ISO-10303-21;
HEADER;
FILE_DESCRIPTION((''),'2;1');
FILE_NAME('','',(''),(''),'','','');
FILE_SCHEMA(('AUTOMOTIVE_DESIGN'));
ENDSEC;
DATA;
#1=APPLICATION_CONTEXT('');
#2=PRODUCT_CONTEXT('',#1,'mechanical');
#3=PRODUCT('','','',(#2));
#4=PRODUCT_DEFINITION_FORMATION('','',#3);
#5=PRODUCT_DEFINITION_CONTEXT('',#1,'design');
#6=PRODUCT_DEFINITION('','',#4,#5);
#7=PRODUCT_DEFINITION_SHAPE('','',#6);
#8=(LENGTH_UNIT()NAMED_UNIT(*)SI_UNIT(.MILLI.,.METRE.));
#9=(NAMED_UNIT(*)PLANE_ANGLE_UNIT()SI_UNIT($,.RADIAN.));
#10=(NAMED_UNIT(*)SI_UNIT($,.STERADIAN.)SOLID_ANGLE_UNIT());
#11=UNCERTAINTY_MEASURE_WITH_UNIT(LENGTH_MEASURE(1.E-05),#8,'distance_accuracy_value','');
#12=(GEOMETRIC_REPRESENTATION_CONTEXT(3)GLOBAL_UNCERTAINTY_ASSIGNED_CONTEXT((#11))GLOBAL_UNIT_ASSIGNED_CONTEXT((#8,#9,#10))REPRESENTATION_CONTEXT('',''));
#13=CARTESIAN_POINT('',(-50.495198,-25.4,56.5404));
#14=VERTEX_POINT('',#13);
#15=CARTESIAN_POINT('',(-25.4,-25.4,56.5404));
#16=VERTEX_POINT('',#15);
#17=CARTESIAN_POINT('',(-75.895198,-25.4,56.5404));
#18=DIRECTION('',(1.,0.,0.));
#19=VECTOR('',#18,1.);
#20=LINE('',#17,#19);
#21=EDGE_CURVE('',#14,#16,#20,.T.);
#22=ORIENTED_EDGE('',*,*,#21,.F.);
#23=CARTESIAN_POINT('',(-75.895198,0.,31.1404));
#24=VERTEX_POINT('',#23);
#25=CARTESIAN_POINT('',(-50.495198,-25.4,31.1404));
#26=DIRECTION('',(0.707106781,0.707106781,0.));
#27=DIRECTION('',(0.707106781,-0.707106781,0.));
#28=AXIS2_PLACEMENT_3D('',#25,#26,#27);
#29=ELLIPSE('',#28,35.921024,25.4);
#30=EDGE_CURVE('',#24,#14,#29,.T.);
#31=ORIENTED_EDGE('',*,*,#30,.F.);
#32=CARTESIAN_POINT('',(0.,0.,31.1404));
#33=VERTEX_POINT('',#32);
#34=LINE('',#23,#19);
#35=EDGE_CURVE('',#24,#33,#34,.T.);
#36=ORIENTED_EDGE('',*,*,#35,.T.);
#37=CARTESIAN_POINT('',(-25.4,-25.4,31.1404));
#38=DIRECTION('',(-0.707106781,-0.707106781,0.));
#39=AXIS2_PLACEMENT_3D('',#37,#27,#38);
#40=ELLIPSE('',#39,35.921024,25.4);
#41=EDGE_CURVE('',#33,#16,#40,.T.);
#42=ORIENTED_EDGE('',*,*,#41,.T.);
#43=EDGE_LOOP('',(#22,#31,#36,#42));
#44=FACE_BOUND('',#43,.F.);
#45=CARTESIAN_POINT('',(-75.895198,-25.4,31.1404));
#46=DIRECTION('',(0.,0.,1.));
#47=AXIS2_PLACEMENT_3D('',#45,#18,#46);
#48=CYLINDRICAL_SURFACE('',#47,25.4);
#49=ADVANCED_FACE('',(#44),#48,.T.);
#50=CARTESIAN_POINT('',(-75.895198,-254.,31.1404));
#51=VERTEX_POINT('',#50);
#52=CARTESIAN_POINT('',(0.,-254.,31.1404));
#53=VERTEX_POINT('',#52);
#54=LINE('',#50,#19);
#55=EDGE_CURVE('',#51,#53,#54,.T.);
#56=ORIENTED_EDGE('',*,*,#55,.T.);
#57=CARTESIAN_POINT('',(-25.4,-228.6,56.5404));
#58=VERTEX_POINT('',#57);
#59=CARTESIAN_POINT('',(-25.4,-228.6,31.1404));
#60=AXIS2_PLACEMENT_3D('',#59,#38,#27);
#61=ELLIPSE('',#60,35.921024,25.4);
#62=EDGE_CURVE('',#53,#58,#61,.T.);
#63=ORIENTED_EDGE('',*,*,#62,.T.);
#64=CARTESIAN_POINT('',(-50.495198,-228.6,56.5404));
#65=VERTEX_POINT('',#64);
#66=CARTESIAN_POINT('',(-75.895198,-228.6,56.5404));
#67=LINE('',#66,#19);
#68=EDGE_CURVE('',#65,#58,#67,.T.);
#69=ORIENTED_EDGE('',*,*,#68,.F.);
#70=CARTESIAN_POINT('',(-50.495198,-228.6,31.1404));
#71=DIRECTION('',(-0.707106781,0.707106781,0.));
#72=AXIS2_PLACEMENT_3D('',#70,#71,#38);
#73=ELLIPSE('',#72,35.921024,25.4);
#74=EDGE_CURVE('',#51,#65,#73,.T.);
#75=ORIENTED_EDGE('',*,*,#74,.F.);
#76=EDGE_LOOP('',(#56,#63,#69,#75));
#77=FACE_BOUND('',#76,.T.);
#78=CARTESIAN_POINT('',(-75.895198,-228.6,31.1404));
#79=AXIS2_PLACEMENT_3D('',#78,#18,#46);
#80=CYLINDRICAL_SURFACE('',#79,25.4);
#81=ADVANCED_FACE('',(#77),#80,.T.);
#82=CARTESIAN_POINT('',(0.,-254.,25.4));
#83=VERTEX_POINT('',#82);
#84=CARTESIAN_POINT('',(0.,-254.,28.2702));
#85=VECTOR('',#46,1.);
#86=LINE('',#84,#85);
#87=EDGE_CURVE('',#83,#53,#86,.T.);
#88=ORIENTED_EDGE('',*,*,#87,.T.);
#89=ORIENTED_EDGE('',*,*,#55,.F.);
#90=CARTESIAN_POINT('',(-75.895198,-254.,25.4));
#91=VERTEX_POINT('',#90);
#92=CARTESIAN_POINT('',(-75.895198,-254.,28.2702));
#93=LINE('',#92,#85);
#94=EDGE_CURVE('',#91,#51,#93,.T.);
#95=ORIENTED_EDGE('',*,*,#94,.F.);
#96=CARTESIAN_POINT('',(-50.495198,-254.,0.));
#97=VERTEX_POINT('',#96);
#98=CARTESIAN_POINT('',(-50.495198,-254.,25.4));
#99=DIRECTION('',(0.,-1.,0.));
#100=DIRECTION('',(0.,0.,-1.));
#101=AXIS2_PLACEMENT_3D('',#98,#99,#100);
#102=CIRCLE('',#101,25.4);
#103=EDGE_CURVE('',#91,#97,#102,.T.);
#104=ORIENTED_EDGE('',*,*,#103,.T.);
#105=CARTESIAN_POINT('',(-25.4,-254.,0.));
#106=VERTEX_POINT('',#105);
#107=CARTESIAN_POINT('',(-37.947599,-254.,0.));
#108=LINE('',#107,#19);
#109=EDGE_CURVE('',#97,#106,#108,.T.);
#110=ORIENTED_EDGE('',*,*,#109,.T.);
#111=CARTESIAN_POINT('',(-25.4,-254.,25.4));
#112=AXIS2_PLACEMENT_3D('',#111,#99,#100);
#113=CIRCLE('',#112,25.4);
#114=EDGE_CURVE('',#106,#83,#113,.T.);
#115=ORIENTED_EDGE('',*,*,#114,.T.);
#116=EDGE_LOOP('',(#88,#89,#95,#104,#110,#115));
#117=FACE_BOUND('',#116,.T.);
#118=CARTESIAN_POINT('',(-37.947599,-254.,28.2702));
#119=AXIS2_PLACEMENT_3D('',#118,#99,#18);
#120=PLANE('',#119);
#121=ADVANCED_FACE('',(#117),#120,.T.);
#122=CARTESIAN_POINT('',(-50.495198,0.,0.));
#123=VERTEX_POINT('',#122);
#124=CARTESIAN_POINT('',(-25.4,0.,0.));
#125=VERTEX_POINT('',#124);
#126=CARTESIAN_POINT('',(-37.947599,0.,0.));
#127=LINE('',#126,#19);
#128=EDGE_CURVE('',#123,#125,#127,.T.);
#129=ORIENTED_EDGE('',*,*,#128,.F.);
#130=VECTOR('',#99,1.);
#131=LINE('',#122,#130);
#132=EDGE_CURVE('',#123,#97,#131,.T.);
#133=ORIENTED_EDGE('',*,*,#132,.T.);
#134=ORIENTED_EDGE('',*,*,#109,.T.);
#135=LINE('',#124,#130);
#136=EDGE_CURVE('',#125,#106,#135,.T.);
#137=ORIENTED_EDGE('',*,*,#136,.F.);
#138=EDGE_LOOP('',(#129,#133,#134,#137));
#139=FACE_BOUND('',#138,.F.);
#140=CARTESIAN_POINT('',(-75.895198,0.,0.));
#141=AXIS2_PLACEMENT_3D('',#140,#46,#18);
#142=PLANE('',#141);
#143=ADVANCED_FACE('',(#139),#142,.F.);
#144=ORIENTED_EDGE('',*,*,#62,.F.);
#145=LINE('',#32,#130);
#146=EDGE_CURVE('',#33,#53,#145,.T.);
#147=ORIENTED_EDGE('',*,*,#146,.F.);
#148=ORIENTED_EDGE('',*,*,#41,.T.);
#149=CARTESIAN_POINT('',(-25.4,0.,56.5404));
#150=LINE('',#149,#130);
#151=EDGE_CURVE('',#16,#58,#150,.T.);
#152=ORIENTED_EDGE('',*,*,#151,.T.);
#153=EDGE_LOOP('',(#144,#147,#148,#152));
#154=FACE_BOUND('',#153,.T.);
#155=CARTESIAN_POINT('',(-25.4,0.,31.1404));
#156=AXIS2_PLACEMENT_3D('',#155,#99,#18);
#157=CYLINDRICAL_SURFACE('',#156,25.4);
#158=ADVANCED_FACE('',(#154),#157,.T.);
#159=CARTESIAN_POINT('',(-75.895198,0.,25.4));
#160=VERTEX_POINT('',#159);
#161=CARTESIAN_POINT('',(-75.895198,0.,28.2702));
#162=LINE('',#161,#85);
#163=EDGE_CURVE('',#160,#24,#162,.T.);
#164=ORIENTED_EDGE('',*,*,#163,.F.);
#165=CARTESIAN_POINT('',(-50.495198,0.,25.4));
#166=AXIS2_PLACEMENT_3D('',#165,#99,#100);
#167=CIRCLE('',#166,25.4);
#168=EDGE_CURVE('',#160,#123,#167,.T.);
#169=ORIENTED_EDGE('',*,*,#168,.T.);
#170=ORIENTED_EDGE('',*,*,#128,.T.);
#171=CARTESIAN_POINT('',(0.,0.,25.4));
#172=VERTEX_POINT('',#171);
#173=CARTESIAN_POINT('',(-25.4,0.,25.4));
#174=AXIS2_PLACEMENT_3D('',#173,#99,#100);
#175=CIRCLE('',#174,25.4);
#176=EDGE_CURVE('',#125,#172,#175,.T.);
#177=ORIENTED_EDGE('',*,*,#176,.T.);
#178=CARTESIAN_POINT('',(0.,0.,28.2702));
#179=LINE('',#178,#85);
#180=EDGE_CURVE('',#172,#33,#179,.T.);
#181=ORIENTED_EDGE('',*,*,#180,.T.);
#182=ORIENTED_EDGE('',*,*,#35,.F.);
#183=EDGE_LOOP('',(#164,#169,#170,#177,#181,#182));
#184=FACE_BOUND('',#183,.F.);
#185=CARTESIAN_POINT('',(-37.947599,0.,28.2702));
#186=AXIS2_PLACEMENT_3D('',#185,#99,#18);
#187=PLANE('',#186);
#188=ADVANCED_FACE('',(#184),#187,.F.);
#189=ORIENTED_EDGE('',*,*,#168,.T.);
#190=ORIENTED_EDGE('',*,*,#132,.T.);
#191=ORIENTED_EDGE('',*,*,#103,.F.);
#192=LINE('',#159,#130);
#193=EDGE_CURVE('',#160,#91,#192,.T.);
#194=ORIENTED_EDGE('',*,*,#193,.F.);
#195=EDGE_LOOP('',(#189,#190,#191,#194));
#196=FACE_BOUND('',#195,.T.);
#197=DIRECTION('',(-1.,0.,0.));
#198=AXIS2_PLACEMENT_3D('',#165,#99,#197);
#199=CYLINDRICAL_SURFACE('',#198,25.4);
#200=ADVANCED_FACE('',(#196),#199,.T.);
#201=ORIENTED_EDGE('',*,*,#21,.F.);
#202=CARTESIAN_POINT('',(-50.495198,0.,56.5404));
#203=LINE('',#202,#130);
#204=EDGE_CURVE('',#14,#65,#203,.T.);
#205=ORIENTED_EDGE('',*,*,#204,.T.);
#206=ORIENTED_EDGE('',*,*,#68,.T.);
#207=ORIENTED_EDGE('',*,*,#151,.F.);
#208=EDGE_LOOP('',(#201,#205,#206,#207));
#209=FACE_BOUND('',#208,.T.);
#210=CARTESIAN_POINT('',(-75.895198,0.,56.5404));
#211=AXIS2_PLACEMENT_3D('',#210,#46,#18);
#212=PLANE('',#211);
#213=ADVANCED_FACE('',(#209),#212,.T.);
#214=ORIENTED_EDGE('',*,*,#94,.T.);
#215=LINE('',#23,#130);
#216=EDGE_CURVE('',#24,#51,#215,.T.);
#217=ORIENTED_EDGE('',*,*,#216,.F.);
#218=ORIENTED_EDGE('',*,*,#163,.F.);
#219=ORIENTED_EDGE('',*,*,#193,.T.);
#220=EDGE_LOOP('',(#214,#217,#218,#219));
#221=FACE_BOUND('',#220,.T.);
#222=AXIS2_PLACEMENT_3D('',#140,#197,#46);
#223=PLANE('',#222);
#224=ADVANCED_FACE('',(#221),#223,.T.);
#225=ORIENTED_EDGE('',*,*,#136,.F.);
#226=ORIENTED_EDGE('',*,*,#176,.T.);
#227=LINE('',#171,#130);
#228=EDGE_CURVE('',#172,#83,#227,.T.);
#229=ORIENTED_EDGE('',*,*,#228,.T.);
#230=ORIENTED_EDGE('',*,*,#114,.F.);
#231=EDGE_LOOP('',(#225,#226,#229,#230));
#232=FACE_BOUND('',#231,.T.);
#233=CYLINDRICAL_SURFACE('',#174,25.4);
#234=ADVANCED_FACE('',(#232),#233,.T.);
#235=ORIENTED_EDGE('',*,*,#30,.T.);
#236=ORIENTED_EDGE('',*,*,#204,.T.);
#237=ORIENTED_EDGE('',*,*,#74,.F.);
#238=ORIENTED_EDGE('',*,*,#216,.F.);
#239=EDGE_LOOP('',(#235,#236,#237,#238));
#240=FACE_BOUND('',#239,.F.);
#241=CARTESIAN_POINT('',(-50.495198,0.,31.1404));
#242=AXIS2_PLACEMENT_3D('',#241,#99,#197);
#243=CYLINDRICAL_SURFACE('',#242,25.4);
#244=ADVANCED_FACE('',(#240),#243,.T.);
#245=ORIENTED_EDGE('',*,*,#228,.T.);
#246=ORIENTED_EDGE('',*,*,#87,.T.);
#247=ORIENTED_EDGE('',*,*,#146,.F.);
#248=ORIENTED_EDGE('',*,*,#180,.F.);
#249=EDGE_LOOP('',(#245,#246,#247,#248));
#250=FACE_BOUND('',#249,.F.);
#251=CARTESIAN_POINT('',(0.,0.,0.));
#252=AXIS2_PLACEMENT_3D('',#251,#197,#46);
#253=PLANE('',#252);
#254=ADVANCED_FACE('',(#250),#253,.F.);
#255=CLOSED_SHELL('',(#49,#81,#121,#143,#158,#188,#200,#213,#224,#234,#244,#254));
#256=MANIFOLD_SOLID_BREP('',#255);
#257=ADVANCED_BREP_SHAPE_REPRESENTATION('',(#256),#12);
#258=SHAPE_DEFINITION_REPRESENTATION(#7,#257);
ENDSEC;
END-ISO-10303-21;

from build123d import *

# Parameters (mm, degrees)
F0_W     = 75.895198
F0_H     = 56.5404
F1_DEPTH = 254
F2_R     = 25.4


with BuildPart() as f1:
    # F0 (on Front) → F1 (new body)
    with BuildSketch(Plane.XZ):
        with Locations((-37.947599, 28.2702)):
            Rectangle(F0_W, F0_H)
    extrude(amount=F1_DEPTH)

    # F2
    f2_edges = [f1.edges().sort_by_distance(p)[0] for p in [
        (0, -127, 56.5404),
        (0, -127, 0),
        (-75.895198, -127, 56.5404),
        (-37.947599, 0, 56.5404),
        (-37.947599, -254, 56.5404),
        (-75.895198, -127, 0),
    ]]
    fillet(f2_edges, radius=F2_R)


solid = f1.part
